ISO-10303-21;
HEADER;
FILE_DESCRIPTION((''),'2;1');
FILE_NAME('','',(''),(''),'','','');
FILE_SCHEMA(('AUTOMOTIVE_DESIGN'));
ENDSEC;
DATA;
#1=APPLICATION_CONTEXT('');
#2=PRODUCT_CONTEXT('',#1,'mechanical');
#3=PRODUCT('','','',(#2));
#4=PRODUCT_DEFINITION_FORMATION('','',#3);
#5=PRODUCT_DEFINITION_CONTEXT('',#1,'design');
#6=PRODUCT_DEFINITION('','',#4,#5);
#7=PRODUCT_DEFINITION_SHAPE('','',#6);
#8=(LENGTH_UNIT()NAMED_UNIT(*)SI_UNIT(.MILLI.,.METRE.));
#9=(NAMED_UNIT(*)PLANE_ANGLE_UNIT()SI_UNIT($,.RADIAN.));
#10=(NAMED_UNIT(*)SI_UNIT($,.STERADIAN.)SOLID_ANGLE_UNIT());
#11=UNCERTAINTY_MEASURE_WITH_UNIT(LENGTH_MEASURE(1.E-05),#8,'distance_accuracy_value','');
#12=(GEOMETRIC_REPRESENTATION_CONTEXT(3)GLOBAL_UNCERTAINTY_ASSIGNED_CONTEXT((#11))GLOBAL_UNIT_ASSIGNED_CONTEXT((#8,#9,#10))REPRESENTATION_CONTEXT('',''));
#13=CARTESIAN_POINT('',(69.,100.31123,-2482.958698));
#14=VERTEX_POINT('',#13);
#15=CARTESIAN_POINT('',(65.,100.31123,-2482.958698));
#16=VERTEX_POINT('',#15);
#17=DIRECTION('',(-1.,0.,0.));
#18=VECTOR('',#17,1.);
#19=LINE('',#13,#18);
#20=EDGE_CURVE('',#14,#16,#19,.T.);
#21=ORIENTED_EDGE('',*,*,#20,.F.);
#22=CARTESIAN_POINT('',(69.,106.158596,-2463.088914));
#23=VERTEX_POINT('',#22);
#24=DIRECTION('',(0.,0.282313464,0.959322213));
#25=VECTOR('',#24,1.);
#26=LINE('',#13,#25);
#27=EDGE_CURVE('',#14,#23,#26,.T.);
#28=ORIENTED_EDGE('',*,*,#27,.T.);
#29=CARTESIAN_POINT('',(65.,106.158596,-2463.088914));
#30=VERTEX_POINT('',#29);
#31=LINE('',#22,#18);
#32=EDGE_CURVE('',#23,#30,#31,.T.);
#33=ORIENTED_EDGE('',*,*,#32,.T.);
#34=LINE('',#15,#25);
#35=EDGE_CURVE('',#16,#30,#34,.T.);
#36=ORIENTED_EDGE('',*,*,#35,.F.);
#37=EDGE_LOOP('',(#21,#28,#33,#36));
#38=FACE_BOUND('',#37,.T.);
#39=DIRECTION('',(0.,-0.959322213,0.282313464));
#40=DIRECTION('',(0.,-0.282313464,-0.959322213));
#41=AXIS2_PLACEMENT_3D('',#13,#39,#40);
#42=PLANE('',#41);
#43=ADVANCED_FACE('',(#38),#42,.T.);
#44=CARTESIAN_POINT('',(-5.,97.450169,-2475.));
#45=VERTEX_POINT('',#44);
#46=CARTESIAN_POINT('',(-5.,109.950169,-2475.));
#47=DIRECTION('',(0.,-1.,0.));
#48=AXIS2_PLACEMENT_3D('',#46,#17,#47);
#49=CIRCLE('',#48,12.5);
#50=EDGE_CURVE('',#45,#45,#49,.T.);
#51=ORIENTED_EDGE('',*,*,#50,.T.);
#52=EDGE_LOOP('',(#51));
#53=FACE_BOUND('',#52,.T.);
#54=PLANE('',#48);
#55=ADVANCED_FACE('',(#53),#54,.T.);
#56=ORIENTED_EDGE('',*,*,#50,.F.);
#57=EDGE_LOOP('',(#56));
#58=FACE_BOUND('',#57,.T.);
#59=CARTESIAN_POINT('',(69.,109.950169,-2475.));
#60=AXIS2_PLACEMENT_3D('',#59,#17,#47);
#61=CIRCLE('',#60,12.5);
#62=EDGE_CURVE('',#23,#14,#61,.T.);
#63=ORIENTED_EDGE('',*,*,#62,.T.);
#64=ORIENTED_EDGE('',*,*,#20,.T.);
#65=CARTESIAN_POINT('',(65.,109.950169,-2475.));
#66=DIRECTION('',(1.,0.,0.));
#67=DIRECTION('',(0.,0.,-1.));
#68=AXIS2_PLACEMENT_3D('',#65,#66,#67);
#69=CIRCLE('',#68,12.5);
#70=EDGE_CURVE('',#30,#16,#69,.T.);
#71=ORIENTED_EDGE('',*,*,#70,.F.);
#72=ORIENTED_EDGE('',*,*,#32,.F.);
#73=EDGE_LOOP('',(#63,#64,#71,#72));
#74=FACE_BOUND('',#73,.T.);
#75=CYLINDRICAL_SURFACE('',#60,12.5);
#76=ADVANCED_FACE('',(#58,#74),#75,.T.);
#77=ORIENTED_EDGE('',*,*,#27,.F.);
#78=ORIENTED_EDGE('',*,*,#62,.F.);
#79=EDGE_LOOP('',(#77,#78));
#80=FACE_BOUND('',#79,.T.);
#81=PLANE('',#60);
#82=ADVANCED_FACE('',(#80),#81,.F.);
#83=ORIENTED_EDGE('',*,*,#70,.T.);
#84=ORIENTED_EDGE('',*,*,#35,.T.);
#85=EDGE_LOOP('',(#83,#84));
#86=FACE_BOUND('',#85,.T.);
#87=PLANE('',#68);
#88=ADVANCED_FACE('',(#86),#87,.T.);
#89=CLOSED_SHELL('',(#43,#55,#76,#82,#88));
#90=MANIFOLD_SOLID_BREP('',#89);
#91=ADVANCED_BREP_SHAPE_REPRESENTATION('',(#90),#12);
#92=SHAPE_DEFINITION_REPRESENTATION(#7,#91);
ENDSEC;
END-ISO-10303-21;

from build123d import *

# Parameters (mm, degrees)
SKETCH_1_R          = 12.5
EXTRUDE_1_DEPTH     = 74
CUT_EXTRUDE_1_DEPTH = 4


with BuildPart() as part:
    # 草图1 → 凸台-拉伸1 (new body)
    with BuildSketch(Plane.ZY.offset(5)):
        with Locations((-2475, 109.950168602)):
            Circle(SKETCH_1_R)
    extrude(amount=-EXTRUDE_1_DEPTH)

    # 草图3 → 切除-拉伸1 (cut)
    with BuildSketch(Plane(origin=(65, 0, 0), x_dir=(0, 0, -1), z_dir=(1, 0, 0))):
        with BuildLine():
            Line((2482.958697764, 100.311230388), (2463.088913737, 106.158595838))
            ThreePointArc((2463.088913737, 106.158595838), (2471.471081697, 97.958640943), (2482.958697764, 100.311230388))
        make_face()
    extrude(amount=CUT_EXTRUDE_1_DEPTH, mode=Mode.SUBTRACT)


solid = part.part
